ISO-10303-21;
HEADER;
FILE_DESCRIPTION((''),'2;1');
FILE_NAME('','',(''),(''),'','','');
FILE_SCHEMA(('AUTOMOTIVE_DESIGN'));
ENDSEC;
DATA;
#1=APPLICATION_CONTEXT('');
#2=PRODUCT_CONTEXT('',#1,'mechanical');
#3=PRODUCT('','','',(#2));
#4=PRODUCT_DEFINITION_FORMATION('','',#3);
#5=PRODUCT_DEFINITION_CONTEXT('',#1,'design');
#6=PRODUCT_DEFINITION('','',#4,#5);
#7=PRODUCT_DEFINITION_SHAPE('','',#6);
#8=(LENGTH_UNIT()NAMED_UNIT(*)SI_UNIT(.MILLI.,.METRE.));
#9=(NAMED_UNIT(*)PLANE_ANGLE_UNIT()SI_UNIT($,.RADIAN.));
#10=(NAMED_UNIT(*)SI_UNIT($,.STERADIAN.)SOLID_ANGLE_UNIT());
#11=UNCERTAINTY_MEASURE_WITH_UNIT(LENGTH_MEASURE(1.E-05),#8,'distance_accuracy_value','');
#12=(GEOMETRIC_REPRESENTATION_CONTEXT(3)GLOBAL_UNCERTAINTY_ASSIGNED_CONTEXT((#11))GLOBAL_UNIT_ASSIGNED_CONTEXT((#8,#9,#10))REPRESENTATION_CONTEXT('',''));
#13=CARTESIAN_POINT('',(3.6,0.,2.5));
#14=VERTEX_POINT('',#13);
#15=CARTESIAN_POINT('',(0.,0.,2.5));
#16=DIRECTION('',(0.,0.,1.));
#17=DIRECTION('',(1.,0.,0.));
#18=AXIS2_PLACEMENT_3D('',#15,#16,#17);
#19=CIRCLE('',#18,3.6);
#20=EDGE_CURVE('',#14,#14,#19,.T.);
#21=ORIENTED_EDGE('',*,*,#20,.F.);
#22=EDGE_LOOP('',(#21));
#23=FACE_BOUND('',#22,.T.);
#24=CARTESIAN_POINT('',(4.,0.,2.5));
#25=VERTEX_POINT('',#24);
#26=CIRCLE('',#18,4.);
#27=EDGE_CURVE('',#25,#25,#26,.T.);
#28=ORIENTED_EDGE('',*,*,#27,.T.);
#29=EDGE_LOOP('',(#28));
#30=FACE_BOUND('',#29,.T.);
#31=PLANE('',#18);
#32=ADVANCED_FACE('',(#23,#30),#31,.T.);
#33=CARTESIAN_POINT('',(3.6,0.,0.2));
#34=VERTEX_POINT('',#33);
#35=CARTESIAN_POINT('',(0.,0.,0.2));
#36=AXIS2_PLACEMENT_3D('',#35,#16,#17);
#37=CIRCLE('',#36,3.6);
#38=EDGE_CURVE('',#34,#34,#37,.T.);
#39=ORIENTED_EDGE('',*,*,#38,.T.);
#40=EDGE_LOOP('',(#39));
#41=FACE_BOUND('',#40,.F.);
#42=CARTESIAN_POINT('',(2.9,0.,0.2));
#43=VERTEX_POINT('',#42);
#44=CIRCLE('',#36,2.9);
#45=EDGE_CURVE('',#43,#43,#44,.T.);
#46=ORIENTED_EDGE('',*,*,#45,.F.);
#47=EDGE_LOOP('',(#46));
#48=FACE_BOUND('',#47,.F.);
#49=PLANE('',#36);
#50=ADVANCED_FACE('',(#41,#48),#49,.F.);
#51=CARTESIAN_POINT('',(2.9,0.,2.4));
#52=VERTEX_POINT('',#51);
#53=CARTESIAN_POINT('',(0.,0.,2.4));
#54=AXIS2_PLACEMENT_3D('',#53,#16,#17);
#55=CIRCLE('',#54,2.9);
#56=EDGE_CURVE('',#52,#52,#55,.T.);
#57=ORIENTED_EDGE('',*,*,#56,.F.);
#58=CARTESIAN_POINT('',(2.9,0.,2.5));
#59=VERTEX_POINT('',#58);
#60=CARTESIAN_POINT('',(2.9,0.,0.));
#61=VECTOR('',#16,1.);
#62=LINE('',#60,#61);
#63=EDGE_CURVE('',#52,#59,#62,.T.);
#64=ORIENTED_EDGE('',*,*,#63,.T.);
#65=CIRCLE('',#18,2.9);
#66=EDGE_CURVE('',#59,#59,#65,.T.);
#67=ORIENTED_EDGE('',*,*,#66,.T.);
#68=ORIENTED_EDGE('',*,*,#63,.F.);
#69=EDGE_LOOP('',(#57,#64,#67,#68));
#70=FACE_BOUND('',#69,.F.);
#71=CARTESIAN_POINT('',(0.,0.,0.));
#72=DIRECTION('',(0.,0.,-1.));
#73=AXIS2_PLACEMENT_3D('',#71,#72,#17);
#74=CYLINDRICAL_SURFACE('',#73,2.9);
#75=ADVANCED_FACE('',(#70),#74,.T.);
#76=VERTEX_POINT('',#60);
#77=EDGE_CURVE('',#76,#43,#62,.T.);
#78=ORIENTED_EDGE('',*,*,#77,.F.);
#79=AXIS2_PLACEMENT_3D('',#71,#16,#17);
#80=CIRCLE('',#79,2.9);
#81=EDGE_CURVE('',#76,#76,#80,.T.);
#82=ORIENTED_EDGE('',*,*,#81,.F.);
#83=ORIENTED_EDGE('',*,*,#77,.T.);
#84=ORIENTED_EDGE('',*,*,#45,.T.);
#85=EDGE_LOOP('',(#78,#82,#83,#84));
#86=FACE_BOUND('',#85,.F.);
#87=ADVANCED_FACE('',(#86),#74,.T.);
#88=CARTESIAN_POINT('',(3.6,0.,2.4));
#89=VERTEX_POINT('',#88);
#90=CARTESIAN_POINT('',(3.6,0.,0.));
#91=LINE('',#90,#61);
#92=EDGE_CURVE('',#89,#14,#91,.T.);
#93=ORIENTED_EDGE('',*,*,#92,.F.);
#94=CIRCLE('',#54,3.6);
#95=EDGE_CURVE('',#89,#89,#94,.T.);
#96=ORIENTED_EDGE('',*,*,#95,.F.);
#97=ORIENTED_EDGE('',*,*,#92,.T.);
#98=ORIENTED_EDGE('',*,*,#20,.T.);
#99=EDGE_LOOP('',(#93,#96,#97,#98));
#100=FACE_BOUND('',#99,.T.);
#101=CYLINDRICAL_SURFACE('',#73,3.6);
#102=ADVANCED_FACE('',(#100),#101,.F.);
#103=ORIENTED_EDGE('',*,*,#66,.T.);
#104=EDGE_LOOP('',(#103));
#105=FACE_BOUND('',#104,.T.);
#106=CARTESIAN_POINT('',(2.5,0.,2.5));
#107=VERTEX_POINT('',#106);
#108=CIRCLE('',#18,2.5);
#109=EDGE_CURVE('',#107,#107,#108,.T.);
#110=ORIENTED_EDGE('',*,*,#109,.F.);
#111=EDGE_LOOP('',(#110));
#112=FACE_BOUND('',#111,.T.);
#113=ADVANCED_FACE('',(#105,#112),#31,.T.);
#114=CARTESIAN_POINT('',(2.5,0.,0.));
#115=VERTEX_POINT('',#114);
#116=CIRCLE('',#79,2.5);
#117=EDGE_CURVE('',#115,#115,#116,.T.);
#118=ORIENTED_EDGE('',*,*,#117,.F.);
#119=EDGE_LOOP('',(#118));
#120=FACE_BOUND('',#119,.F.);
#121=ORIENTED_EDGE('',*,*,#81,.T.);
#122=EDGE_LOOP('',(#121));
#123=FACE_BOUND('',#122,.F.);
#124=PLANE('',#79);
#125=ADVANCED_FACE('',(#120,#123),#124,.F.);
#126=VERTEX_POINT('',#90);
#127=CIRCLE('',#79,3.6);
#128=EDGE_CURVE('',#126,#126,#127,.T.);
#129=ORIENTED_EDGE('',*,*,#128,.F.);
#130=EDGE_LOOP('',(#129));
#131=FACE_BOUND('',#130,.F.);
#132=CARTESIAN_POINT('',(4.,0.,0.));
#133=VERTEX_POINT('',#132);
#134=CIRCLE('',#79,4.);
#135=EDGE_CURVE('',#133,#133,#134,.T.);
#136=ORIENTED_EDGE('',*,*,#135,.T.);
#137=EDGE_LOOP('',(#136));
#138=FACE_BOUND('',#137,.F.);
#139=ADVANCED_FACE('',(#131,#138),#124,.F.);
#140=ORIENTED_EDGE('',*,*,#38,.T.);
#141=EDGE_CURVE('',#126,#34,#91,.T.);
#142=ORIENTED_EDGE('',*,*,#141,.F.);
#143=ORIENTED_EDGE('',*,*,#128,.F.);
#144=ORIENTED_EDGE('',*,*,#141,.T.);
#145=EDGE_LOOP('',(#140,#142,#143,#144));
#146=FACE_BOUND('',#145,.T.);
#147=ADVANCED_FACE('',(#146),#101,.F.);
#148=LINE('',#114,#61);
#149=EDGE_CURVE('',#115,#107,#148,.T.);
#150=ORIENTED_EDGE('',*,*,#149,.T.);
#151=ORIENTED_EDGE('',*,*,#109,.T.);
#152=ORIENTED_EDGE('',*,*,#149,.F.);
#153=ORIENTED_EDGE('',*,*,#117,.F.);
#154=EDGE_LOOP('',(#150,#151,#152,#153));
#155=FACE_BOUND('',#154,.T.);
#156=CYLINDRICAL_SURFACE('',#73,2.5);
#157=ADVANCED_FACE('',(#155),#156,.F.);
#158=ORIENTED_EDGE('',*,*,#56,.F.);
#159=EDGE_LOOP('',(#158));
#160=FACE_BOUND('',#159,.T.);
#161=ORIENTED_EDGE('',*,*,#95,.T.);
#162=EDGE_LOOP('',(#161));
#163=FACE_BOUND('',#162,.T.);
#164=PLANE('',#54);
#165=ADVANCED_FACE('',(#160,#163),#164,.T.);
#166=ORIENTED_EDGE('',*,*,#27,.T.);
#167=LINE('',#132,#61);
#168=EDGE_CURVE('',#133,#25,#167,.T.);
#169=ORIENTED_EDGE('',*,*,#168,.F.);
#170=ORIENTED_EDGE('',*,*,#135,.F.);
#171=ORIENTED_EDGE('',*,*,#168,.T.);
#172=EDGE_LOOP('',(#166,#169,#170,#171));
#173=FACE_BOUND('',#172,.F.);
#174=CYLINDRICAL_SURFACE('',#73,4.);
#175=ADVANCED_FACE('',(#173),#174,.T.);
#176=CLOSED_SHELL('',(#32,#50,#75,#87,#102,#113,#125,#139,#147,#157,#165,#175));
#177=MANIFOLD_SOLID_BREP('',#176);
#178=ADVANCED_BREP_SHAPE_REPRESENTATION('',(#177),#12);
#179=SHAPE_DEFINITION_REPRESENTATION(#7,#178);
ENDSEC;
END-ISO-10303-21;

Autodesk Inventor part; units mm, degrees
ref_plane "YZ Plane" through (0, 0, 0) normal (1, 0, 0) x (0, 1, 0)
ref_plane "XZ Plane" through (0, 0, 0) normal (0, 1, 0) x (-1, 0, 0)
sketch "Sketch1" plane through (0, 0, 0) normal (0, 0, 1) x (1, 0, 0)
  circle A0 centre (0, 0) radius 4
  circle A1 centre (0, 0) radius 2.5
  circle A2 centre (0, 0) radius 2.9
  circle A3 centre (0, 0) radius 3.6
  dimension "d0" = 8
  dimension "d1" = 5
  dimension "d2" = 0.4
  dimension "d3" = 0.4
extrude "Extrusion1" add sketch "Sketch1" along normal blind 2.5
ref_plane "Work Plane1" through (0, 0, 0.2) normal (0, 0, 1) x (1, 0, 0)
sketch "Sketch2" plane through (0, 0, 0.2) normal (0, 0, 1) x (1, 0, 0)
  circle A0 centre (0, 0) radius 3.6 projected
  circle A1 centre (0, 0) radius 4 projected
  circle A2 centre (0, 0) radius 2.5 projected
  circle A3 centre (0, 0) radius 2.9 projected
extrude "Extrusion2" add sketch "Sketch2" along normal blind 2.2 contours A0
properties part number "8x5x2.5 bearing"
